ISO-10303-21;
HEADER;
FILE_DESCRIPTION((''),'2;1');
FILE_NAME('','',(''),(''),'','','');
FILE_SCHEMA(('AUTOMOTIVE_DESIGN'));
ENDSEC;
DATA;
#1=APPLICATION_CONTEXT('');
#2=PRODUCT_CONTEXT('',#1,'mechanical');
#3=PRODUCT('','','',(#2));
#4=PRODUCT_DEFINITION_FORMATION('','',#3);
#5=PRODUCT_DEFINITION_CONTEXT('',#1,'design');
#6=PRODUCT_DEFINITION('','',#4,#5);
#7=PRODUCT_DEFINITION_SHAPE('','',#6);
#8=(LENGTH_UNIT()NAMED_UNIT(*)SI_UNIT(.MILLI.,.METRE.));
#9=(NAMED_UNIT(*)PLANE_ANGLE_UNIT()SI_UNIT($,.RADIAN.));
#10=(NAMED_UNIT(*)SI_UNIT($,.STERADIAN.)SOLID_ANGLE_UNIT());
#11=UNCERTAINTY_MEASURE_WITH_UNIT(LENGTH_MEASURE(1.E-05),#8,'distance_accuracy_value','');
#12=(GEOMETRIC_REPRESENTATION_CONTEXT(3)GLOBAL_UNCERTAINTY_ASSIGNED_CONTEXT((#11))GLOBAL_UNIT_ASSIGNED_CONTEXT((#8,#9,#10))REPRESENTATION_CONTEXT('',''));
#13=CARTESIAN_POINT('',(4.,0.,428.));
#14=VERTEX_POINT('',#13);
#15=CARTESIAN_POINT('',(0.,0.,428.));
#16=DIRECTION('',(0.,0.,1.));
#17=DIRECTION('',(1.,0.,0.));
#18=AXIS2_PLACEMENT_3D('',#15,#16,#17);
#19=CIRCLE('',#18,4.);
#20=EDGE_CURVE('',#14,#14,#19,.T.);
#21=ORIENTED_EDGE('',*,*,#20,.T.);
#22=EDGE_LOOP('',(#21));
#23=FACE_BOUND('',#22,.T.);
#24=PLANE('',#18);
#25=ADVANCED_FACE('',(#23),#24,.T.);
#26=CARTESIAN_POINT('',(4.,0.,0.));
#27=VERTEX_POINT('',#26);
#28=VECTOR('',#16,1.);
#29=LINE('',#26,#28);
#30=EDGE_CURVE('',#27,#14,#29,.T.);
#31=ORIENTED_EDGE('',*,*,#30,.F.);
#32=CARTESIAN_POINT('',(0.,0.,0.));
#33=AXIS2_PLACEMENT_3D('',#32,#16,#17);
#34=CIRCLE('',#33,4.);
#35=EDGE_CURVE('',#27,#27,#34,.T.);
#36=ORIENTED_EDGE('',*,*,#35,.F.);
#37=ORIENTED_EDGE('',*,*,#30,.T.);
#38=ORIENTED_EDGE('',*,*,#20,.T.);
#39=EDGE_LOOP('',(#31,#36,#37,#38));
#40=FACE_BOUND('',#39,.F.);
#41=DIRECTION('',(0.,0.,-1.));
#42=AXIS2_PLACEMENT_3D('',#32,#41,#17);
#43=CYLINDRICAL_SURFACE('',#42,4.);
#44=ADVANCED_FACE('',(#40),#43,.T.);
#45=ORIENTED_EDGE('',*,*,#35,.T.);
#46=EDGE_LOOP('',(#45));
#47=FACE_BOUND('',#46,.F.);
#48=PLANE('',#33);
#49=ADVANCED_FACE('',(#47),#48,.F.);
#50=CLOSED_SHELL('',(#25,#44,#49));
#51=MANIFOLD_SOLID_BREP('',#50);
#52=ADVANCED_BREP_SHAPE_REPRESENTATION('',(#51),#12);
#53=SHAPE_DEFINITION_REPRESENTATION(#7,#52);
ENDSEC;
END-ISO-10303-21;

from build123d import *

# Parameters (mm, degrees)
SKETCH_1_R      = 4
EXTRUDE_1_DEPTH = 428


with BuildPart() as part:
    # 草图1 → 凸台-拉伸1 (new body)
    with BuildSketch(Plane.XY):
        Circle(SKETCH_1_R)
    extrude(amount=EXTRUDE_1_DEPTH)


solid = part.part
